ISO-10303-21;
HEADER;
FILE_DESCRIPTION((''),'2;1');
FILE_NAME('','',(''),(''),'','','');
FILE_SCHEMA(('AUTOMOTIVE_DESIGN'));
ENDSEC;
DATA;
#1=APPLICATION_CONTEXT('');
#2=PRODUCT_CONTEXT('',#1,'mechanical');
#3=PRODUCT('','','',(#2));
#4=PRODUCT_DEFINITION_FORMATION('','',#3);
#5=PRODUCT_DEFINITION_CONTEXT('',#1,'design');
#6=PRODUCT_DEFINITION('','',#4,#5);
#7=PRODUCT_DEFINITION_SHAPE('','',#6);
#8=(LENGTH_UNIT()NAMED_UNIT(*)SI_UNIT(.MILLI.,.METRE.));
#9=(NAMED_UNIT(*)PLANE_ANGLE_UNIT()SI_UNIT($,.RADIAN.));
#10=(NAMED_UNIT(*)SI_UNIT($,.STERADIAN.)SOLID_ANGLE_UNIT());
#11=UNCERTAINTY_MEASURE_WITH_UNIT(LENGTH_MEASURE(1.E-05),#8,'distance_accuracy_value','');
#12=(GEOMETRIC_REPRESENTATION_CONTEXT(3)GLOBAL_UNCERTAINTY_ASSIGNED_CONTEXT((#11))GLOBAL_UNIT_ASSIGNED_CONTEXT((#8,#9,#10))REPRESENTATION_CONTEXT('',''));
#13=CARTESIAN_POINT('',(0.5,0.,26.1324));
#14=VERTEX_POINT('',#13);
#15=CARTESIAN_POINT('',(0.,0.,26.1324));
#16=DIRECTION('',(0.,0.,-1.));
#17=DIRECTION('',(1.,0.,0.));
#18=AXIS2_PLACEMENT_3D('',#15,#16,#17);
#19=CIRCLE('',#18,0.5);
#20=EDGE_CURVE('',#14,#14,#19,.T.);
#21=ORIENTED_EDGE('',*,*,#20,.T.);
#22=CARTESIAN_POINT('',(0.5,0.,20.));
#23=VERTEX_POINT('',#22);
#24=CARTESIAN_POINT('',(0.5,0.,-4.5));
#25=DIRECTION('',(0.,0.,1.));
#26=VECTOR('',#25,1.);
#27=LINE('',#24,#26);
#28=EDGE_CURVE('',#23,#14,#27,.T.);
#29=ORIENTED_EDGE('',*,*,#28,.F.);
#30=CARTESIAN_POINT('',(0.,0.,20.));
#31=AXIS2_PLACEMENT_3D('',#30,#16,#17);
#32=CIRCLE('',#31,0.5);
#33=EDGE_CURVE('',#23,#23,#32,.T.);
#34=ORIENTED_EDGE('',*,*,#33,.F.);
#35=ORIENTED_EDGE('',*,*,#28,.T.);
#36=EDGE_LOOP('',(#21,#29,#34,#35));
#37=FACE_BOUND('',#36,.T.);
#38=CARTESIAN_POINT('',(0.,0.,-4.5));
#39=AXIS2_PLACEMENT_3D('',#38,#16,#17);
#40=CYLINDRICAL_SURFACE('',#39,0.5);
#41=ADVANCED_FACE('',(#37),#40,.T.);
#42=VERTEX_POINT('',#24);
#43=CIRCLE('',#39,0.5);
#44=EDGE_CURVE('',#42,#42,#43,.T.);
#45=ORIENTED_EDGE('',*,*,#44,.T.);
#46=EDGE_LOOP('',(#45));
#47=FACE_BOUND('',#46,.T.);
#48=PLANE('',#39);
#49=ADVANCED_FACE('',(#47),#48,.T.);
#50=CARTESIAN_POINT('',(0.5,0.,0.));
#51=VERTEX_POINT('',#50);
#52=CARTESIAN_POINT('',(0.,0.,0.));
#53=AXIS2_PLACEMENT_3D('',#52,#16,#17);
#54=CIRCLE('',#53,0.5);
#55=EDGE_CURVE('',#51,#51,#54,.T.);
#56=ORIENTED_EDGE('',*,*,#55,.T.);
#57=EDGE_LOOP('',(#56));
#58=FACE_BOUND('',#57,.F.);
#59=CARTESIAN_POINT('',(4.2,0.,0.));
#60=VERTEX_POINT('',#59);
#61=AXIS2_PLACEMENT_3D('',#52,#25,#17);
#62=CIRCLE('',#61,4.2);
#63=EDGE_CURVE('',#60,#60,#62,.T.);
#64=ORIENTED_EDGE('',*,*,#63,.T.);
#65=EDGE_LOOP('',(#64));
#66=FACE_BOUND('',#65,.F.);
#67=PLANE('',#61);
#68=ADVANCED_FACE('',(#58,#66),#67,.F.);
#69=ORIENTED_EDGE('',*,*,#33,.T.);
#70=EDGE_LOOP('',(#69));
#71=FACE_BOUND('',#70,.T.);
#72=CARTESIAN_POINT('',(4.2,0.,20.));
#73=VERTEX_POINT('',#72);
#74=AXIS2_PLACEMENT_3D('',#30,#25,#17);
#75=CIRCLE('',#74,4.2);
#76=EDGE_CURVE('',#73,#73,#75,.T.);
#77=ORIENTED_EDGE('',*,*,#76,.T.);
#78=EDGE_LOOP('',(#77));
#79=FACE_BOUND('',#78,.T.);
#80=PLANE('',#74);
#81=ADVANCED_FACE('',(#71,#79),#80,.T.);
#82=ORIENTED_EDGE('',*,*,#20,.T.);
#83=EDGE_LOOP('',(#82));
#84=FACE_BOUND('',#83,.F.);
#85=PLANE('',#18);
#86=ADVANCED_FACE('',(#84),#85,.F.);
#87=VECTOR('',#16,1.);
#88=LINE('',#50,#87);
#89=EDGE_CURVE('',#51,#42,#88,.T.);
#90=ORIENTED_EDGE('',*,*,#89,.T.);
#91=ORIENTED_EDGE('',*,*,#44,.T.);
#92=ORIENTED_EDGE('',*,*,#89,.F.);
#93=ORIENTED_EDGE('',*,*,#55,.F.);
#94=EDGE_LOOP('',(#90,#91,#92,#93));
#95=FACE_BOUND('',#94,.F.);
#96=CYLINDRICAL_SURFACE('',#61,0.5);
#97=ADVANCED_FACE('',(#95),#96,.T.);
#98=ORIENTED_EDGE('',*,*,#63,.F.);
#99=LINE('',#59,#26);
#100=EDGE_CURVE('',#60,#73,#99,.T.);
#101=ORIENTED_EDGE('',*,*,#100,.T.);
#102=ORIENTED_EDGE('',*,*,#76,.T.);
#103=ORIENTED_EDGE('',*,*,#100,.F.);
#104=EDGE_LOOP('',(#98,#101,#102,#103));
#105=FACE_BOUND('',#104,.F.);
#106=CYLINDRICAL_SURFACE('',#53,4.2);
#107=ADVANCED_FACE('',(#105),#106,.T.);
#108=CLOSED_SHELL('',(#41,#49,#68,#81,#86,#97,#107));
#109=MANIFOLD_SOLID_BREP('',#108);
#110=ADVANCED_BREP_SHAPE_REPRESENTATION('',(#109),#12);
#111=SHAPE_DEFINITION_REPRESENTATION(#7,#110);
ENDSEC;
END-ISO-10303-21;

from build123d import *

# Parameters (mm, degrees)
F0_R     = 4.2
F1_DEPTH = 20
F2_R     = 0.5
F3_DEPTH = 4.5
F4_R     = 0.5
F5_DEPTH = 30.6324


with BuildPart() as f1:
    # F0 (on Top) → F1 (new body)
    with BuildSketch(Plane.XY):
        Circle(F0_R)
    extrude(amount=F1_DEPTH)

    # F2 (on face) → F3 (join)
    with BuildSketch(Plane(origin=(0, 0, 0), x_dir=(1, 0, 0), z_dir=(0, 0, -1))):
        Circle(F2_R)
    extrude(amount=F3_DEPTH)

    # F4 (on face) → F5 (join)
    with BuildSketch(Plane(origin=(0, 0, -4.5), x_dir=(1, 0, 0), z_dir=(0, 0, -1))):
        Circle(F4_R)
    extrude(amount=-F5_DEPTH)


solid = f1.part
